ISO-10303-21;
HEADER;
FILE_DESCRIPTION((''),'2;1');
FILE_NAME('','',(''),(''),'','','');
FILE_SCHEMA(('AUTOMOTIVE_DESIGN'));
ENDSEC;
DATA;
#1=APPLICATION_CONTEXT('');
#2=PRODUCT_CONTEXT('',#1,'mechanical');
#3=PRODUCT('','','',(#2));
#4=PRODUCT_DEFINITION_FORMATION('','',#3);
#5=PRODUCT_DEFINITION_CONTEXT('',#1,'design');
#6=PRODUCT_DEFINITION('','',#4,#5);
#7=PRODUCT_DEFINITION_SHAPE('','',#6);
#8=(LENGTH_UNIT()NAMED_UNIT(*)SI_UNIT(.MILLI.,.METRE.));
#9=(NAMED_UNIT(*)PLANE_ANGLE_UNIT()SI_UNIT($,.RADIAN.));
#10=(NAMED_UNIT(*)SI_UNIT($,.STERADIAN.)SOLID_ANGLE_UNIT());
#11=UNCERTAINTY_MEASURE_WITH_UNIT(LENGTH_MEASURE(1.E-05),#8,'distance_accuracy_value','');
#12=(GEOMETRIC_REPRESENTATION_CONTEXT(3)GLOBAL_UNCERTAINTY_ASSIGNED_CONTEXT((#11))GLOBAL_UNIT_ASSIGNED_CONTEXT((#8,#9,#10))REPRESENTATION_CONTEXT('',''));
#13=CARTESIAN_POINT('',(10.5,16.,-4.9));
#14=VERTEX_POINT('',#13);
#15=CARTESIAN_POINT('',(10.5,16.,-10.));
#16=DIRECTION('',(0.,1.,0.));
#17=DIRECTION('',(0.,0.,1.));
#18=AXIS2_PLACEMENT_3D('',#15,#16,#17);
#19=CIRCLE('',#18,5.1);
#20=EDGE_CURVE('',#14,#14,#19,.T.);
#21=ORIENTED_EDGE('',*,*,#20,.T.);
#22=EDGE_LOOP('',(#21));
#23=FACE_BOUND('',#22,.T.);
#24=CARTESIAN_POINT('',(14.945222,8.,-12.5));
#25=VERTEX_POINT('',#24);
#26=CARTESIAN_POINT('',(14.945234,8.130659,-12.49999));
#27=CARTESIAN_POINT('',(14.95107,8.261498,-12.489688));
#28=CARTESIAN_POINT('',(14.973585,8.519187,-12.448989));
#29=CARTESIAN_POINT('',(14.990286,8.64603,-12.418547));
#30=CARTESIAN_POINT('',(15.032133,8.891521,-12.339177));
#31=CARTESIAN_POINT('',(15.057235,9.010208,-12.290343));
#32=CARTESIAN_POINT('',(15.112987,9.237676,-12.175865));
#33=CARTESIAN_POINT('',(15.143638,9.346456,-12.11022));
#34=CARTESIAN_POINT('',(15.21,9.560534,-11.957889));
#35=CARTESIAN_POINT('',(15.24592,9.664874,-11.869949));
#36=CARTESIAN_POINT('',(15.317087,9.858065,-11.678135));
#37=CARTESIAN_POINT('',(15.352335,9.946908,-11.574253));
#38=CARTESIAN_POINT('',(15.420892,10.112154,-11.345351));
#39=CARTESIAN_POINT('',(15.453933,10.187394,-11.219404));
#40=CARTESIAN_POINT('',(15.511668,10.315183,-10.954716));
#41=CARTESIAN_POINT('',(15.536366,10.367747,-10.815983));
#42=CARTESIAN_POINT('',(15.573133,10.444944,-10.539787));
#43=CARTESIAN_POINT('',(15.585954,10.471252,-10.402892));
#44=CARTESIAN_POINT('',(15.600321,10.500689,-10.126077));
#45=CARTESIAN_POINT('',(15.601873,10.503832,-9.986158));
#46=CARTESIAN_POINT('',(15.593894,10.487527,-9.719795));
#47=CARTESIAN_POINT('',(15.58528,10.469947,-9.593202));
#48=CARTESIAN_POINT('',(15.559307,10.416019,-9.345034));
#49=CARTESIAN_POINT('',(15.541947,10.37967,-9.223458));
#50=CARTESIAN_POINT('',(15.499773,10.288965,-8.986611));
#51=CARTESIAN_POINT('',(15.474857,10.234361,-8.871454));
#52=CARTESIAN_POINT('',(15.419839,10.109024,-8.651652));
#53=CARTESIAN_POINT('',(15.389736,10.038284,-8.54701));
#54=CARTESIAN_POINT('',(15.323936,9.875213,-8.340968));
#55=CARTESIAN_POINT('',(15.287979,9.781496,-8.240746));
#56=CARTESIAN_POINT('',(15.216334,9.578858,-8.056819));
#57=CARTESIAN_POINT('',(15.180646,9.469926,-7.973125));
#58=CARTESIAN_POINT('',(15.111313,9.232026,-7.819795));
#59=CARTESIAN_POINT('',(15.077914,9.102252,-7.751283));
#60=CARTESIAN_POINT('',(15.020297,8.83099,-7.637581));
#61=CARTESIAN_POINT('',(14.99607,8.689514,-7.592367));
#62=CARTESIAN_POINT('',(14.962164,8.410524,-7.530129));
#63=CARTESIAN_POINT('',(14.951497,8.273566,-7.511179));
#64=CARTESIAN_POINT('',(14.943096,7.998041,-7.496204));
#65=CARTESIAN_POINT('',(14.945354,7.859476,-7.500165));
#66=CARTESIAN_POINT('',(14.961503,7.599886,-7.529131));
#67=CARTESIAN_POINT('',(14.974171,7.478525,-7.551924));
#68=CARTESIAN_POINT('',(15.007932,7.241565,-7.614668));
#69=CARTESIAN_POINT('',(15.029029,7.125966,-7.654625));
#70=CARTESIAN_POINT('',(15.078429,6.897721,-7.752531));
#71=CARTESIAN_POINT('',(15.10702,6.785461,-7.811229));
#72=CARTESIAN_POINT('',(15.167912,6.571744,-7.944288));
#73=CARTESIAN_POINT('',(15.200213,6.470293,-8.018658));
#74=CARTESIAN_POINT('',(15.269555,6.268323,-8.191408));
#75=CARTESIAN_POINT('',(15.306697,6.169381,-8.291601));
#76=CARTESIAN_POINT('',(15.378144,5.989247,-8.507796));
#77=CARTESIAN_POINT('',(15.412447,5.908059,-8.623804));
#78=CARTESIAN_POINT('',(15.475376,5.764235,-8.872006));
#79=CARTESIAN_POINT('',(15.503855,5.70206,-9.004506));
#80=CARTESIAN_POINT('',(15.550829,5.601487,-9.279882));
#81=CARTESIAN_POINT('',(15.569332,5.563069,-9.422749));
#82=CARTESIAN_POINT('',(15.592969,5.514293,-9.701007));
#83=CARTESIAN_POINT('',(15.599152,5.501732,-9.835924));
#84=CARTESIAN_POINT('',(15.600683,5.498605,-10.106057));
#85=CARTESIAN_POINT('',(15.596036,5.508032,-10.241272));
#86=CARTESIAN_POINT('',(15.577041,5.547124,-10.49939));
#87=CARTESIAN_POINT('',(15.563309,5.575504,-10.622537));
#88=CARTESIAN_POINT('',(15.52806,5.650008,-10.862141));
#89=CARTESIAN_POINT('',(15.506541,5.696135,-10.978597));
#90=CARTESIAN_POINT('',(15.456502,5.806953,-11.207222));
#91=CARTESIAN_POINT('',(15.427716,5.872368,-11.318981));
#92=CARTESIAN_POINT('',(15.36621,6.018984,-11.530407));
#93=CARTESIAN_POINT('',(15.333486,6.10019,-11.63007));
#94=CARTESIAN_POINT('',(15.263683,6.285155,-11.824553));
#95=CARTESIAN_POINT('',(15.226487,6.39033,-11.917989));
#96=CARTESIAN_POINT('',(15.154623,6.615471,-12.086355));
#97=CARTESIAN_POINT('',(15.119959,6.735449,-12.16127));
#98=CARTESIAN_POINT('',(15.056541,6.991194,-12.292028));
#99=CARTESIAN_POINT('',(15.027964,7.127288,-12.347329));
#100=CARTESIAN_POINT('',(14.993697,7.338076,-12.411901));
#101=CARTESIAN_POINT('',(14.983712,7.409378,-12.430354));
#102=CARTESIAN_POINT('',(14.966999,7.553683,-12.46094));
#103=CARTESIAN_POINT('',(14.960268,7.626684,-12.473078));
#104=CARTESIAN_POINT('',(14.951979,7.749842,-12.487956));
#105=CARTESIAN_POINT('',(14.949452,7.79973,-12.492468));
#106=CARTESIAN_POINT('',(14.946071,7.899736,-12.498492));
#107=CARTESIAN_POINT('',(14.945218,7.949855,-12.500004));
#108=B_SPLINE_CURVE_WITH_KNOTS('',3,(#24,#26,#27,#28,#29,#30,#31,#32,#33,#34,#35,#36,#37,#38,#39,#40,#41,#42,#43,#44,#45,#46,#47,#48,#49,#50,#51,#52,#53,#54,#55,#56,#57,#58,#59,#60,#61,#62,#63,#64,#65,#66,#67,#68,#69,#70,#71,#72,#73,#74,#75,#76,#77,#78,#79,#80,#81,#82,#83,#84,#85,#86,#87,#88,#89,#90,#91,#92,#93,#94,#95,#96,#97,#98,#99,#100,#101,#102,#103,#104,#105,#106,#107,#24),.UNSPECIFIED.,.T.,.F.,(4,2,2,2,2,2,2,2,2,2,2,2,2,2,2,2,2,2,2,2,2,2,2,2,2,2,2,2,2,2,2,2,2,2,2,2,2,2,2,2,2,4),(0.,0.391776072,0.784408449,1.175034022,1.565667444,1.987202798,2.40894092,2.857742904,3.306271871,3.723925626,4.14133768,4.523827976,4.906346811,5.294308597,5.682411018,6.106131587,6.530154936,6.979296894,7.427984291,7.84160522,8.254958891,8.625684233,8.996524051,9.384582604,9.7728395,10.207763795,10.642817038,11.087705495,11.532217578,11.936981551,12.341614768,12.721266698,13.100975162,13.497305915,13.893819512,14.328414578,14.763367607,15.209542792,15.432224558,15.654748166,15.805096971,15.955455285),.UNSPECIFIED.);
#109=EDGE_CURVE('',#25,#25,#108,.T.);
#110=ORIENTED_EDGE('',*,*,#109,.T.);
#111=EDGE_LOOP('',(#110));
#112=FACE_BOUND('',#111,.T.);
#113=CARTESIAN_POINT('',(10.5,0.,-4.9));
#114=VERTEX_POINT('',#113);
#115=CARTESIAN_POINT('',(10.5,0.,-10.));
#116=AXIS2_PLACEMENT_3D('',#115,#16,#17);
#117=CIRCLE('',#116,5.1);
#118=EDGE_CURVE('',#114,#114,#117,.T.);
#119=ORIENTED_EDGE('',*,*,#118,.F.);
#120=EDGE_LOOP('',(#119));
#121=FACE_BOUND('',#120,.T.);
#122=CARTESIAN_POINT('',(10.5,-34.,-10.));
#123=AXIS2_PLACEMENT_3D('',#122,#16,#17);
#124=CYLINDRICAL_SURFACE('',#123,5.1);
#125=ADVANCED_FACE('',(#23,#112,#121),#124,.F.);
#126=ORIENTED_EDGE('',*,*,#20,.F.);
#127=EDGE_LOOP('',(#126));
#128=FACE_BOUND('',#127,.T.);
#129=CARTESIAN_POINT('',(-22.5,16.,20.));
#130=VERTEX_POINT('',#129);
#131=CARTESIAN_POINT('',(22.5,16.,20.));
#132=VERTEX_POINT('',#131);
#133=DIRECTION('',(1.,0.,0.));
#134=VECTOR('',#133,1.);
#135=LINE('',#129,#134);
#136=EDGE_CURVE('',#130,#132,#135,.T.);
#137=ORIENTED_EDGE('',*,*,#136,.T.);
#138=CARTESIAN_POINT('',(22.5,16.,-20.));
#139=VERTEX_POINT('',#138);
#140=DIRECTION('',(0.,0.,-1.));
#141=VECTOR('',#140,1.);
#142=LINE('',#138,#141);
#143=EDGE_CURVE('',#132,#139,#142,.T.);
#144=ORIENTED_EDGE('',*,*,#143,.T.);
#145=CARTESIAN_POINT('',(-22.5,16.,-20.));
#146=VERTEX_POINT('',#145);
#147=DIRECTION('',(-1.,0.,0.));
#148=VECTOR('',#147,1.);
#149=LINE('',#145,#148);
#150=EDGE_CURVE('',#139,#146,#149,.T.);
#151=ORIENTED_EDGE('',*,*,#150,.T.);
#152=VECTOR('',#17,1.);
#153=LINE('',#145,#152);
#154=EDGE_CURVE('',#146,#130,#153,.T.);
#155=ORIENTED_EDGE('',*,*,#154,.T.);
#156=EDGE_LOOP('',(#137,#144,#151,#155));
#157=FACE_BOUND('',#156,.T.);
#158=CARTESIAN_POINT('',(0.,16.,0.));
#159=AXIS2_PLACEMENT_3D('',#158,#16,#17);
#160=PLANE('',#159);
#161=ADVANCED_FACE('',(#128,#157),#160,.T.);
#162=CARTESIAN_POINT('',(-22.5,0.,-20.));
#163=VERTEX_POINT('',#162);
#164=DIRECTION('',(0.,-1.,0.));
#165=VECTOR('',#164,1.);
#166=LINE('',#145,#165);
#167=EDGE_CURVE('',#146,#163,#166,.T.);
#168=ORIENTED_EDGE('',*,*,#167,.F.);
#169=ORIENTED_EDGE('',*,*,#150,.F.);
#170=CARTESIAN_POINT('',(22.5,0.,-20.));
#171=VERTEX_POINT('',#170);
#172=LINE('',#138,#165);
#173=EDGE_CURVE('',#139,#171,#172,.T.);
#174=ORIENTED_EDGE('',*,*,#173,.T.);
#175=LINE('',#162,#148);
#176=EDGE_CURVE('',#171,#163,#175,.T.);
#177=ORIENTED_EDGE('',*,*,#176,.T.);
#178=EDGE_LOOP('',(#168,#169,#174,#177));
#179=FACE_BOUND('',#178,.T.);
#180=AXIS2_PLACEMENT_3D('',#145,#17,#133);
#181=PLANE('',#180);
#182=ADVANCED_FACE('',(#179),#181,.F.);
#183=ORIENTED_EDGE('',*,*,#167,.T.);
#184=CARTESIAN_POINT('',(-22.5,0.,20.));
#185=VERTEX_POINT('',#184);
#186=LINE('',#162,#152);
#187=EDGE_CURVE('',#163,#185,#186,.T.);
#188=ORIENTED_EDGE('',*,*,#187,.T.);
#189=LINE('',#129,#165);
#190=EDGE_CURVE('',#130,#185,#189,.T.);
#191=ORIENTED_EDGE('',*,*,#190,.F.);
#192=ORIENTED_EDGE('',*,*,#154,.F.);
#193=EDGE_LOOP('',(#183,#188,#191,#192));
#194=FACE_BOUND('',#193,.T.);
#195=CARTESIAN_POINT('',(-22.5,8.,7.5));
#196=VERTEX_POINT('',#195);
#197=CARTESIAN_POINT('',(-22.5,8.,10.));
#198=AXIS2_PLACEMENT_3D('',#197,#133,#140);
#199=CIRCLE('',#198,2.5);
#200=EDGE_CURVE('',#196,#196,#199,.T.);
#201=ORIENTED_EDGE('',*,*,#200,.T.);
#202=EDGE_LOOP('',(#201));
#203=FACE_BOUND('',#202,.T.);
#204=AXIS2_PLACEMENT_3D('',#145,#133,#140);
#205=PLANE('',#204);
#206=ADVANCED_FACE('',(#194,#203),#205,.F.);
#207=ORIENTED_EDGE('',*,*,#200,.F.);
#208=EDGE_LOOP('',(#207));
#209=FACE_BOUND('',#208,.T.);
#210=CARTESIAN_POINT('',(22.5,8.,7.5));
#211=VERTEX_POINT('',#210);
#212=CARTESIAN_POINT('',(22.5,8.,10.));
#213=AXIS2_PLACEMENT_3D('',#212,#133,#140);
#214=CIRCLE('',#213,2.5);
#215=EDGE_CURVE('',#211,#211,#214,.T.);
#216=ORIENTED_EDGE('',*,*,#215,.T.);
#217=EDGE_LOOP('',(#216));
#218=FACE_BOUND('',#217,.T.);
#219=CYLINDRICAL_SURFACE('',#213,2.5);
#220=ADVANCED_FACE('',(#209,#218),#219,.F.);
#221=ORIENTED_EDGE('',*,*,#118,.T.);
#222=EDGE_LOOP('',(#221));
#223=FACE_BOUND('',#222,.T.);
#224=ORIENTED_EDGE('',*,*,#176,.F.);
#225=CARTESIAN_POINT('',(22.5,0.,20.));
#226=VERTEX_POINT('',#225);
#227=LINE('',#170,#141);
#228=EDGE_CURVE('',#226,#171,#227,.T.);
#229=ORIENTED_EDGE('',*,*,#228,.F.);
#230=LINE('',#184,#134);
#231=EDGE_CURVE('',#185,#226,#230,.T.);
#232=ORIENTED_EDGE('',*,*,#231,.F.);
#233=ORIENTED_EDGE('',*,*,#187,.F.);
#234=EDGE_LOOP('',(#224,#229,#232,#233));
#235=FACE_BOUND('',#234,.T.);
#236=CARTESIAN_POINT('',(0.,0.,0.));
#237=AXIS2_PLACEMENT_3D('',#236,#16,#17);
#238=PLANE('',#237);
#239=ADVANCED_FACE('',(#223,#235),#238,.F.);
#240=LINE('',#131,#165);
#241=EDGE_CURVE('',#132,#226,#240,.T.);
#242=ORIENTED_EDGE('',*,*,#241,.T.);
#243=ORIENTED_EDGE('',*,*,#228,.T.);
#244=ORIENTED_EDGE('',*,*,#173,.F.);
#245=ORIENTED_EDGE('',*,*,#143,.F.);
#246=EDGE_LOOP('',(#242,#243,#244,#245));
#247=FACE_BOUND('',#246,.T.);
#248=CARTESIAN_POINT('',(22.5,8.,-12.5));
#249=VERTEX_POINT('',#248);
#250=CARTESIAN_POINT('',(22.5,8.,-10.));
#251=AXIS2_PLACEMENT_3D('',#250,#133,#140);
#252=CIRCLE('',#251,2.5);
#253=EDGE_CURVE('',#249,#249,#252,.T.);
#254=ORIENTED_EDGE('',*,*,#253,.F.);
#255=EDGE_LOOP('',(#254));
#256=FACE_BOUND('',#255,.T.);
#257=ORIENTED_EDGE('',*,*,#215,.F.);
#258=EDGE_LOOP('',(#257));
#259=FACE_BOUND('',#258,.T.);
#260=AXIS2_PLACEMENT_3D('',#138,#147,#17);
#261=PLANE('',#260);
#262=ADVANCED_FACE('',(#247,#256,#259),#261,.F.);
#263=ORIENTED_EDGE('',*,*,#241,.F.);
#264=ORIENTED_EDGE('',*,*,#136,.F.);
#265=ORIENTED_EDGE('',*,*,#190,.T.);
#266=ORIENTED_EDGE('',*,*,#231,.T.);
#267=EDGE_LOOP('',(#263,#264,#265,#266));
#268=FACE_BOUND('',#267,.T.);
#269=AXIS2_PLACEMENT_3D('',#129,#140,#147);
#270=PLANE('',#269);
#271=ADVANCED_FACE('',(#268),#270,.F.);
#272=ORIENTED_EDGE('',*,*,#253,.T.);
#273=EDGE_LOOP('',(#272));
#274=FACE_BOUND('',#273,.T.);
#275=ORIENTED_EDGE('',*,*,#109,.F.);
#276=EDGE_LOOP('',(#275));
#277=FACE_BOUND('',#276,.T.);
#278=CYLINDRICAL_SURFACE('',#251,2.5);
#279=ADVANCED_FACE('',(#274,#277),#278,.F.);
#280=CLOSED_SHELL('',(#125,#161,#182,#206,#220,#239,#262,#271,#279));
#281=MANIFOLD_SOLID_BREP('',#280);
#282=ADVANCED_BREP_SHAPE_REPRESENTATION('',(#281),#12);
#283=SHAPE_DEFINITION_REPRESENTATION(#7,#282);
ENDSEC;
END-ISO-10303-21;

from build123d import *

# Parameters (mm, degrees)
SKETCH_1_W             = 45
SKETCH_1_H             = 40
EXTRUDE_1_DEPTH        = 16
HOLE_WIZARD_M6_1_D     = 5
SKETCH_5_R             = 5.1
CUT_EXTRUDE_1_DEPTH    = 50
HOLE_WIZARD_M6_2_D     = 5
HOLE_WIZARD_M6_2_DEPTH = 10
HOLE_WIZARD_M6_2_TIP   = 1.502151548


with BuildPart() as part:
    # 草图1 → 凸台-拉伸1 (new body)
    with BuildSketch(Plane(origin=(0, 0, 0), x_dir=(1, 0, 0), z_dir=(0, 1, 0))):
        Rectangle(SKETCH_1_W, SKETCH_1_H)
    extrude(amount=EXTRUDE_1_DEPTH)

    # M6 螺纹孔1 (through all)
    with Locations(Plane(origin=(22.5, 8, 10), x_dir=(0, 0, 1), z_dir=(1, 0, 0))):
        with Locations((0, 0)):
            Hole(HOLE_WIZARD_M6_1_D / 2)

    # 草图5 → 切除-拉伸1 (cut)
    with BuildSketch(Plane(origin=(0, 16, 0), x_dir=(1, 0, 0), z_dir=(0, 1, 0))):
        with Locations(Location((10.5, 10, 0), (0, 0, 270))):
            Circle(SKETCH_5_R)
    extrude(amount=-CUT_EXTRUDE_1_DEPTH, mode=Mode.SUBTRACT)

    # M6 螺纹孔2
    with Locations(Plane(origin=(22.5, 8, -10), x_dir=(0, 0, 1), z_dir=(1, 0, 0))):
        with Locations((0, 0)):
            Hole(HOLE_WIZARD_M6_2_D / 2, depth=HOLE_WIZARD_M6_2_DEPTH)
            with Locations((0, 0, -(HOLE_WIZARD_M6_2_DEPTH + HOLE_WIZARD_M6_2_TIP / 2))):  # 118° drill point
                Cone(0, HOLE_WIZARD_M6_2_D / 2, HOLE_WIZARD_M6_2_TIP, mode=Mode.SUBTRACT)


solid = part.part
